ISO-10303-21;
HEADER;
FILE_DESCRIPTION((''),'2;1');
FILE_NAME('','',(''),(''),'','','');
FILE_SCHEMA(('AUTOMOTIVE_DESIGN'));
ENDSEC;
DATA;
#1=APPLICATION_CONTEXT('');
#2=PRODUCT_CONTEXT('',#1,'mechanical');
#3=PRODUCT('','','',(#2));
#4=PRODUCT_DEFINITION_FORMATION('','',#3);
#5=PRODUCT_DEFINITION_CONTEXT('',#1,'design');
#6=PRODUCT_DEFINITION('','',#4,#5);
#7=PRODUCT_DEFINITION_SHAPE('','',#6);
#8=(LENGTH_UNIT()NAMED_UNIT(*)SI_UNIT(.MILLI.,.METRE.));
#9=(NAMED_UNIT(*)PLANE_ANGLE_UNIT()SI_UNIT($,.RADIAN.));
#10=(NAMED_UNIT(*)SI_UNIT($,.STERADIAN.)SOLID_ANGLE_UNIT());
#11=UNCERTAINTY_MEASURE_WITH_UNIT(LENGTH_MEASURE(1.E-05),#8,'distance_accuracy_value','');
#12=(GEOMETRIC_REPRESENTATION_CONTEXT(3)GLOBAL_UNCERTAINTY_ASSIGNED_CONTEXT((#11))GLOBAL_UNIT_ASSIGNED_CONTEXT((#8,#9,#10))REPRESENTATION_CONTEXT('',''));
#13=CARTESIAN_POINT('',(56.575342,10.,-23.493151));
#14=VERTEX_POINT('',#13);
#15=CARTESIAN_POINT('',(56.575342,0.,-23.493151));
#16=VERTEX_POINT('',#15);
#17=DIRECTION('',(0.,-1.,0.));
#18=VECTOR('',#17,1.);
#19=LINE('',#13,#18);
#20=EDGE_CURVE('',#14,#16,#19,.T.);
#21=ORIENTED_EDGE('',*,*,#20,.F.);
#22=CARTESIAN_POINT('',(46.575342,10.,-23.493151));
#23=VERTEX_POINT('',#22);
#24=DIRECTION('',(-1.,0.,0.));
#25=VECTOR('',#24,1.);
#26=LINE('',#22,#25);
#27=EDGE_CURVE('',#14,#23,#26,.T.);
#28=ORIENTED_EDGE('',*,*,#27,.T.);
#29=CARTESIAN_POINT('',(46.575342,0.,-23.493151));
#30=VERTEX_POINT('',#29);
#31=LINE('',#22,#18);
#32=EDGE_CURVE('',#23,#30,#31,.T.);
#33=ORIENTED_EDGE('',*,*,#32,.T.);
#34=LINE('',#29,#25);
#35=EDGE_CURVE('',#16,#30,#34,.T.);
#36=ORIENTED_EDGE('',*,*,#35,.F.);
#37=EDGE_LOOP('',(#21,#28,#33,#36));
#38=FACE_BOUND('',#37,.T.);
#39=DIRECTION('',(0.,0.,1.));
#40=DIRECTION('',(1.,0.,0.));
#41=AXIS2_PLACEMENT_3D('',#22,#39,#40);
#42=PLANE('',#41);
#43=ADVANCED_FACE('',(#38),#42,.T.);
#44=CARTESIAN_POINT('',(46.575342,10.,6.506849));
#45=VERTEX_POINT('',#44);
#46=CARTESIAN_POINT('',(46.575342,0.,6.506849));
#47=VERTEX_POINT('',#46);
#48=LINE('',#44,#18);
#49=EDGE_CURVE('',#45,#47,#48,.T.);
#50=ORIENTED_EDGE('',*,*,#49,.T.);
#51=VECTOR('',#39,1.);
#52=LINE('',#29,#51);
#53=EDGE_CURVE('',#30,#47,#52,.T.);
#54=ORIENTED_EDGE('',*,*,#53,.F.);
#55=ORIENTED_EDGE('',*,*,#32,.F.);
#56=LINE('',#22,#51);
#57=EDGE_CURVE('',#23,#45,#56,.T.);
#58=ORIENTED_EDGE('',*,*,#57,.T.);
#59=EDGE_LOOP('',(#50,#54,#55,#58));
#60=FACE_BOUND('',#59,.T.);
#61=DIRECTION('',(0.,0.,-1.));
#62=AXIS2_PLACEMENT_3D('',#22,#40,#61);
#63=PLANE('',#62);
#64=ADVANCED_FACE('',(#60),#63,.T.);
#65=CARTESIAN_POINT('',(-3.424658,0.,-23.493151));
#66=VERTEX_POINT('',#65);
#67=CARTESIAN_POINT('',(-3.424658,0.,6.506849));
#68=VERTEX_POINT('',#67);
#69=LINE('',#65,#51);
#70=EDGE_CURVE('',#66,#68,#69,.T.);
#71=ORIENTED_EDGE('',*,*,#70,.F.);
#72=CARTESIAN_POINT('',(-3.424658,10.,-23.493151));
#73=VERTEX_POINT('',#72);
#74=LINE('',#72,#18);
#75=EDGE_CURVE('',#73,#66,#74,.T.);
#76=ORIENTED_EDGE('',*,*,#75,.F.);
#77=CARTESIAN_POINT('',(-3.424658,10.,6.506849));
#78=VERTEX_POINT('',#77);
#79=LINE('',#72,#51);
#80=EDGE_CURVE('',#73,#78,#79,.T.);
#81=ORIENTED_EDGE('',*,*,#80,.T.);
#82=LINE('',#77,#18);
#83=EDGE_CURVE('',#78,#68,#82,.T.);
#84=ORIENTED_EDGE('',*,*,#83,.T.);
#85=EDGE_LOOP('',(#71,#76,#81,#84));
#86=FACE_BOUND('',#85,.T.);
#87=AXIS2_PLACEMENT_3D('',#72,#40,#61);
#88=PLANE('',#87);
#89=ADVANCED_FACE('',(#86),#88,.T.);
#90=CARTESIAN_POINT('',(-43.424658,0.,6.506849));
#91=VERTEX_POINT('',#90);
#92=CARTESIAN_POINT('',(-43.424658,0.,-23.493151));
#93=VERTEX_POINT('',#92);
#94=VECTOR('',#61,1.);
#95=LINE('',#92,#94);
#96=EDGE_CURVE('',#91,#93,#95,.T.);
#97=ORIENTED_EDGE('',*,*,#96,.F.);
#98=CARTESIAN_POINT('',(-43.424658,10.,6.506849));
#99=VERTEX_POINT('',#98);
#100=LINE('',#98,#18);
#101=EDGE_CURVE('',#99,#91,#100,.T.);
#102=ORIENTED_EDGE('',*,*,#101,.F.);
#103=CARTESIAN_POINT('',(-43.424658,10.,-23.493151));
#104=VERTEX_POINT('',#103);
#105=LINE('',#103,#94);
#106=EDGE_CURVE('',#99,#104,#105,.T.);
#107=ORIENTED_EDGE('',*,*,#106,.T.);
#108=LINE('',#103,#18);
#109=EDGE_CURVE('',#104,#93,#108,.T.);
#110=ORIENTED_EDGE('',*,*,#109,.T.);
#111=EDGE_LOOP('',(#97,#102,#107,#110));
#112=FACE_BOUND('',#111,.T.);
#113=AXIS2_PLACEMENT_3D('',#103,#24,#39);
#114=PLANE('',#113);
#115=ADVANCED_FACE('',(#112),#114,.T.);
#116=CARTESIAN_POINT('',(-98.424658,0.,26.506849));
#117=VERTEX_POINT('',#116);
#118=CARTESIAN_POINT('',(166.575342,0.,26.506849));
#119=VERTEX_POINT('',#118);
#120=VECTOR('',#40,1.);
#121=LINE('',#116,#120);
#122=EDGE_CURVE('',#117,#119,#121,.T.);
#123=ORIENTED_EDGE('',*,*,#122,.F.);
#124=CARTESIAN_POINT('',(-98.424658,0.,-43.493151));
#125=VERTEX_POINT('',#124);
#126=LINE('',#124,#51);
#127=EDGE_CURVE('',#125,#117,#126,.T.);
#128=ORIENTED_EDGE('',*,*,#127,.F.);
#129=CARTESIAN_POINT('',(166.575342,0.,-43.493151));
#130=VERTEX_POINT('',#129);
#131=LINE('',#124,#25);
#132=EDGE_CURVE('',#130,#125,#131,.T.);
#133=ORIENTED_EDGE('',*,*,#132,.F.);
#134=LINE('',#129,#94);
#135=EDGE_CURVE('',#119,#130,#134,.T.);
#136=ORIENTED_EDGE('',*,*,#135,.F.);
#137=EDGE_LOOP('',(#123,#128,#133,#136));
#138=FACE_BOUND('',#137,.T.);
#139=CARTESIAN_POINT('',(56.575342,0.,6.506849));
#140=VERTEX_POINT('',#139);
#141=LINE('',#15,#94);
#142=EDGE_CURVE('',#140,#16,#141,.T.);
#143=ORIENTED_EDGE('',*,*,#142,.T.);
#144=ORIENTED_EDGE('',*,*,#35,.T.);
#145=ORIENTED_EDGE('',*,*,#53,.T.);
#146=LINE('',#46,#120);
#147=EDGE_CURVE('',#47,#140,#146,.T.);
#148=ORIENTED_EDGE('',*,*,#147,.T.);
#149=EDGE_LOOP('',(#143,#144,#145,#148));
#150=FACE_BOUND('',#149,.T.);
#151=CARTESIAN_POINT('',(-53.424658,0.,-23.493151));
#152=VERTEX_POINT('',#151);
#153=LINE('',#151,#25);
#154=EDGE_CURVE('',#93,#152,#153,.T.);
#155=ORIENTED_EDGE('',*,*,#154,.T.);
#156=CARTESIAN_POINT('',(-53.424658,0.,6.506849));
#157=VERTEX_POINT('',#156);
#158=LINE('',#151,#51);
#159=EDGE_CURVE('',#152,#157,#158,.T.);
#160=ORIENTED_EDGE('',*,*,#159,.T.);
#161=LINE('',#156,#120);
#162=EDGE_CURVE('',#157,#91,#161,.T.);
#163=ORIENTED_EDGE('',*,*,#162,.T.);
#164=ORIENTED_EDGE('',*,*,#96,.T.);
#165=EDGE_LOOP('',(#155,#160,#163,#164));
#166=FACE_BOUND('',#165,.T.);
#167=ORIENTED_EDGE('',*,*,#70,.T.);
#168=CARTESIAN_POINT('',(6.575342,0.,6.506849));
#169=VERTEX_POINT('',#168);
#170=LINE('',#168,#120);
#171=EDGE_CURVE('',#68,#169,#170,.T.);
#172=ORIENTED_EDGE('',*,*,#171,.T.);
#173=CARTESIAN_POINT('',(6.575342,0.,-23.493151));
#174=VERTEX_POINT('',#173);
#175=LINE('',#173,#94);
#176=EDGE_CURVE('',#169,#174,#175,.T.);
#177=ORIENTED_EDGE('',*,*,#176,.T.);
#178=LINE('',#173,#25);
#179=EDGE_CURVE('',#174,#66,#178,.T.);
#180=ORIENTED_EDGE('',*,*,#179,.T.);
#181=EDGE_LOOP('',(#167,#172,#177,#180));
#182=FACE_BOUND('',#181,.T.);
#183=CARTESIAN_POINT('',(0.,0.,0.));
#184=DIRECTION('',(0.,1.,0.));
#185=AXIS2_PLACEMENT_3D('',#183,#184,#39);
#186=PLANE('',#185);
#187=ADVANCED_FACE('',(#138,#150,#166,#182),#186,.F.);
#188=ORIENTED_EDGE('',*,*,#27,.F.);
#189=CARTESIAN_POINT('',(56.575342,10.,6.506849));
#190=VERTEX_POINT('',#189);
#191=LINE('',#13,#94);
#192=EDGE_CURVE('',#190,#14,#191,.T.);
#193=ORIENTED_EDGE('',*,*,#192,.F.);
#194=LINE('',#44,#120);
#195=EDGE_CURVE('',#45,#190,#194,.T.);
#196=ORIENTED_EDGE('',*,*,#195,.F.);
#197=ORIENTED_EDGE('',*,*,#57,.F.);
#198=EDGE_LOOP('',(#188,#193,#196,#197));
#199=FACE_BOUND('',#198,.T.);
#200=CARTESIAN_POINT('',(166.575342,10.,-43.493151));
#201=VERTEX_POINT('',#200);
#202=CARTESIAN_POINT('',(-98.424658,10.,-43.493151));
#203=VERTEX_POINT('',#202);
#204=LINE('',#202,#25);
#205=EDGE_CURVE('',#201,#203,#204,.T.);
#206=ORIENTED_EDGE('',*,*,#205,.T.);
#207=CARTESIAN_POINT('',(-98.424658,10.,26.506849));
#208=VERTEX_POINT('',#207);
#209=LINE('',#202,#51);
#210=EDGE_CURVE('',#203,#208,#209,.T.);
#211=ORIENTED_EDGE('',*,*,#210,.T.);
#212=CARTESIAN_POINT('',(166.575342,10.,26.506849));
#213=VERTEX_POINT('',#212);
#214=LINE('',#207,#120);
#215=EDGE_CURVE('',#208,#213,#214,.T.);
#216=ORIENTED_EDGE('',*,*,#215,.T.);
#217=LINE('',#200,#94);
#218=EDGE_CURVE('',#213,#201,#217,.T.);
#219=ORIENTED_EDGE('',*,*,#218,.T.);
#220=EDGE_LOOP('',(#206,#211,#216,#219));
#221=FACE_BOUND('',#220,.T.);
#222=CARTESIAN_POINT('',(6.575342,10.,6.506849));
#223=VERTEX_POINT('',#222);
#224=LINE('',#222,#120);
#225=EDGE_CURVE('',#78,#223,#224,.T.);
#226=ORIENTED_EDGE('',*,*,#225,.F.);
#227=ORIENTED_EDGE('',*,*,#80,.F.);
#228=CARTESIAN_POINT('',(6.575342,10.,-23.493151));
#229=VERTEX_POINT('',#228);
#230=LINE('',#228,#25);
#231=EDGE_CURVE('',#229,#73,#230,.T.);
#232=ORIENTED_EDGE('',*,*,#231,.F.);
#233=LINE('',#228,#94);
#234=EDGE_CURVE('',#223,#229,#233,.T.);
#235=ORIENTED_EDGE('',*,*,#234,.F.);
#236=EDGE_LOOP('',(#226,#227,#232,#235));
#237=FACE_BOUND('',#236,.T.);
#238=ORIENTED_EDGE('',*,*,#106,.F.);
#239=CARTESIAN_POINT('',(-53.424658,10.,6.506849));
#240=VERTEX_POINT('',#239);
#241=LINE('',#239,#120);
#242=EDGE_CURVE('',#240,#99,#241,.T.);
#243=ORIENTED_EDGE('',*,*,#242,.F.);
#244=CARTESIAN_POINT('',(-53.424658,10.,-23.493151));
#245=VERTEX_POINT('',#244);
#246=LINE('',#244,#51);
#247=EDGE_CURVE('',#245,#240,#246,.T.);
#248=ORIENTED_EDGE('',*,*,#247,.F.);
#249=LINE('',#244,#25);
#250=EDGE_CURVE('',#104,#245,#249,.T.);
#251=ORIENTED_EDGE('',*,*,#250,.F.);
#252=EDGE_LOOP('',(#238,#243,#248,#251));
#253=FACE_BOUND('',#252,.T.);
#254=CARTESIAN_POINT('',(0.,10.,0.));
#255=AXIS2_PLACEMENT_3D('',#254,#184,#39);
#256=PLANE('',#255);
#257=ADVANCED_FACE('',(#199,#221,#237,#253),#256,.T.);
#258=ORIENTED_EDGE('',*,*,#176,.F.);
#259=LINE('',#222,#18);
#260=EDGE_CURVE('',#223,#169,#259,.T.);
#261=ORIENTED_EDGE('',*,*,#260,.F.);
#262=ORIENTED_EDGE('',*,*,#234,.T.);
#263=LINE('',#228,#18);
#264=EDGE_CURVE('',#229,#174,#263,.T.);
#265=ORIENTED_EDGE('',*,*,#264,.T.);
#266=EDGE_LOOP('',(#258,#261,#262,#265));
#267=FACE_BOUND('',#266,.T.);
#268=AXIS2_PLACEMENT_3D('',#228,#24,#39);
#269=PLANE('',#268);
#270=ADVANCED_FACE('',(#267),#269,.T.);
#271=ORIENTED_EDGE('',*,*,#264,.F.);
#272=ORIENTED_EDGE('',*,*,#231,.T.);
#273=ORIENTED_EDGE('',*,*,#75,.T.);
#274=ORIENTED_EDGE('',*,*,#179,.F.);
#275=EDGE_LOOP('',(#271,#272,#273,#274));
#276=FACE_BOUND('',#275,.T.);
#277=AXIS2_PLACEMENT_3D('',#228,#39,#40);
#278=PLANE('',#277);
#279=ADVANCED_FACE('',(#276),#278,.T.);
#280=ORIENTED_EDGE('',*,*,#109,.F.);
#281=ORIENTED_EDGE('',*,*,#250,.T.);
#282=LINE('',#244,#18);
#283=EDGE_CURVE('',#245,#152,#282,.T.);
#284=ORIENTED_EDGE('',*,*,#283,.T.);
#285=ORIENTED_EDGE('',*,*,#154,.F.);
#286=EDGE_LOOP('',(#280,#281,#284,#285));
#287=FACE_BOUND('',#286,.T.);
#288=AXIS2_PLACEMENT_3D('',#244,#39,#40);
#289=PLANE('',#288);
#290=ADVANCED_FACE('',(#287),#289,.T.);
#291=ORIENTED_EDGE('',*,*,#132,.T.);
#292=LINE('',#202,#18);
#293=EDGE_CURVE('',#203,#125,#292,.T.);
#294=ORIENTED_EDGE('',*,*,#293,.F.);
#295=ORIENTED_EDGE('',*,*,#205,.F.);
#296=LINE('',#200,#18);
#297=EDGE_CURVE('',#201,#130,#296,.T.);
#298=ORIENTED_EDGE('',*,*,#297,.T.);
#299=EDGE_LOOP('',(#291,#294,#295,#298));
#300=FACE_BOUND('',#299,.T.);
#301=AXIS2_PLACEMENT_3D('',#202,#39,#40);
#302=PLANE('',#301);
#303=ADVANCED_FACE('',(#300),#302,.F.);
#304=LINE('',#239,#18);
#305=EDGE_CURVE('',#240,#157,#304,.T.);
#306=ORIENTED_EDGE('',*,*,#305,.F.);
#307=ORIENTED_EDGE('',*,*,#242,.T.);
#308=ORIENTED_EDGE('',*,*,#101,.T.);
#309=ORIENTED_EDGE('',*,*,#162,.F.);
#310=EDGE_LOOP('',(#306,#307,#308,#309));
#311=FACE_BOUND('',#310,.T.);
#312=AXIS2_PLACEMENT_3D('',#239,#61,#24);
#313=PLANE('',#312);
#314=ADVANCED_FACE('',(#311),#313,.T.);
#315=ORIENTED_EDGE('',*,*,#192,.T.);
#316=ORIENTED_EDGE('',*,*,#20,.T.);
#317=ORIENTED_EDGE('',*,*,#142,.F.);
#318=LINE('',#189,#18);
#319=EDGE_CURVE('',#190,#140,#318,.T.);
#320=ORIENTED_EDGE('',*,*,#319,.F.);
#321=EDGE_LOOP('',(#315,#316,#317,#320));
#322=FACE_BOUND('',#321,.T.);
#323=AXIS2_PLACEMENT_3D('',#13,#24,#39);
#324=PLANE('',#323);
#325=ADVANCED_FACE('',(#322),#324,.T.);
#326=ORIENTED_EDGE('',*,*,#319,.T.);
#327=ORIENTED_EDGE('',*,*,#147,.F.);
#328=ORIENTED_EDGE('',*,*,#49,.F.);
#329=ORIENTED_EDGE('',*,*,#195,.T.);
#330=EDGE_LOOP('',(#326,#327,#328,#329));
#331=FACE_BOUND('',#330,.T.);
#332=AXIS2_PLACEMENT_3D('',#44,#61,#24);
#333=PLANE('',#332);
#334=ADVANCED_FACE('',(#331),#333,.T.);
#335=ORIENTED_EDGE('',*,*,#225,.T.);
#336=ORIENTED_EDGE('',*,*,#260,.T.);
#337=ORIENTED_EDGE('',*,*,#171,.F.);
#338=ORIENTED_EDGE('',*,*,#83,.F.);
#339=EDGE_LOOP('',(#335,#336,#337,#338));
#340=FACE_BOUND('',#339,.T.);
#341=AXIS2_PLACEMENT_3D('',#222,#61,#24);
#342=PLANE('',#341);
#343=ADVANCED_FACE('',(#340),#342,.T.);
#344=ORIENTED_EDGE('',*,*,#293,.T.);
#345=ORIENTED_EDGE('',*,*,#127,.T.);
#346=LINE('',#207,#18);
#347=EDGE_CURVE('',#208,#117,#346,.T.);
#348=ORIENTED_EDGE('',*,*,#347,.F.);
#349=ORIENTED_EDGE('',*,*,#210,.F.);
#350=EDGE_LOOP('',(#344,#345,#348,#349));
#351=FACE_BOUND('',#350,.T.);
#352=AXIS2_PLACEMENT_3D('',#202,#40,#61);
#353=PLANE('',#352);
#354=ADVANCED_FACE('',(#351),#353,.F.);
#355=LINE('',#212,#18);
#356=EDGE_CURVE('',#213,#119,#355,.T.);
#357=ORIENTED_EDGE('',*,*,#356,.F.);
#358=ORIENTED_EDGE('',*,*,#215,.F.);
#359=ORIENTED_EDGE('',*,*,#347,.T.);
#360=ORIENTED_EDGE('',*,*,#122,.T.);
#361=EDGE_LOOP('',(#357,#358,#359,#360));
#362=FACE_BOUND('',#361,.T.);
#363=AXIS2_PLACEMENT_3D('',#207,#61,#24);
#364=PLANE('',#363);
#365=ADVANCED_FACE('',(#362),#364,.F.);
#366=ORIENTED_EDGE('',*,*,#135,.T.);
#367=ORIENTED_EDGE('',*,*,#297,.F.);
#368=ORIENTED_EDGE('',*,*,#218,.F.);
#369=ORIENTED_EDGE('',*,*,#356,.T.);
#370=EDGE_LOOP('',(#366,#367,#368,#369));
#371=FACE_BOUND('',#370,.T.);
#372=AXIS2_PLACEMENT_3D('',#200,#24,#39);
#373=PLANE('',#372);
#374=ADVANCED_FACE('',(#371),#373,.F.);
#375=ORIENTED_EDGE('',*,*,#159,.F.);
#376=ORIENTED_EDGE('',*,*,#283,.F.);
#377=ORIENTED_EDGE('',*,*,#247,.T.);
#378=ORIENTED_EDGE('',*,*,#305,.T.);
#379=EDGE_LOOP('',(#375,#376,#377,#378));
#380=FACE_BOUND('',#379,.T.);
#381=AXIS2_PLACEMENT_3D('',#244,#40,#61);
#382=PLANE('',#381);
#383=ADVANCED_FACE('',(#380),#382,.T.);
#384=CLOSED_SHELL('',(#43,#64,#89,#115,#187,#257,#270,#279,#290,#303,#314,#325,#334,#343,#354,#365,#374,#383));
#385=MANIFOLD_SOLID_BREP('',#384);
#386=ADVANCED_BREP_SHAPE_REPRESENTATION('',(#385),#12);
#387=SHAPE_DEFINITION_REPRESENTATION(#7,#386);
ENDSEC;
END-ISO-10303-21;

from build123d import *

# Parameters (mm, degrees)
SKETCH1_W           = 265
SKETCH1_H           = 70
SKETCH1_W_2         = 10
SKETCH1_H_2         = 30
BOSS_EXTRUDE1_DEPTH = 10


with BuildPart() as part:
    # Sketch1 → Boss-Extrude1 (new body)
    with BuildSketch(Plane(origin=(0, 0, 0), x_dir=(1, 0, 0), z_dir=(0, 1, 0))):
        with Locations((34.075342466, 8.493150685)):
            Rectangle(SKETCH1_W, SKETCH1_H)
        with Locations((-48.424657534, 8.493150685)):
            Rectangle(SKETCH1_W_2, SKETCH1_H_2, mode=Mode.SUBTRACT)
        with Locations((1.575342466, 8.493150685)):
            Rectangle(SKETCH1_W_2, SKETCH1_H_2, mode=Mode.SUBTRACT)
        with Locations((51.575342466, 8.493150685)):
            Rectangle(SKETCH1_W_2, SKETCH1_H_2, mode=Mode.SUBTRACT)
    extrude(amount=BOSS_EXTRUDE1_DEPTH)


solid = part.part
